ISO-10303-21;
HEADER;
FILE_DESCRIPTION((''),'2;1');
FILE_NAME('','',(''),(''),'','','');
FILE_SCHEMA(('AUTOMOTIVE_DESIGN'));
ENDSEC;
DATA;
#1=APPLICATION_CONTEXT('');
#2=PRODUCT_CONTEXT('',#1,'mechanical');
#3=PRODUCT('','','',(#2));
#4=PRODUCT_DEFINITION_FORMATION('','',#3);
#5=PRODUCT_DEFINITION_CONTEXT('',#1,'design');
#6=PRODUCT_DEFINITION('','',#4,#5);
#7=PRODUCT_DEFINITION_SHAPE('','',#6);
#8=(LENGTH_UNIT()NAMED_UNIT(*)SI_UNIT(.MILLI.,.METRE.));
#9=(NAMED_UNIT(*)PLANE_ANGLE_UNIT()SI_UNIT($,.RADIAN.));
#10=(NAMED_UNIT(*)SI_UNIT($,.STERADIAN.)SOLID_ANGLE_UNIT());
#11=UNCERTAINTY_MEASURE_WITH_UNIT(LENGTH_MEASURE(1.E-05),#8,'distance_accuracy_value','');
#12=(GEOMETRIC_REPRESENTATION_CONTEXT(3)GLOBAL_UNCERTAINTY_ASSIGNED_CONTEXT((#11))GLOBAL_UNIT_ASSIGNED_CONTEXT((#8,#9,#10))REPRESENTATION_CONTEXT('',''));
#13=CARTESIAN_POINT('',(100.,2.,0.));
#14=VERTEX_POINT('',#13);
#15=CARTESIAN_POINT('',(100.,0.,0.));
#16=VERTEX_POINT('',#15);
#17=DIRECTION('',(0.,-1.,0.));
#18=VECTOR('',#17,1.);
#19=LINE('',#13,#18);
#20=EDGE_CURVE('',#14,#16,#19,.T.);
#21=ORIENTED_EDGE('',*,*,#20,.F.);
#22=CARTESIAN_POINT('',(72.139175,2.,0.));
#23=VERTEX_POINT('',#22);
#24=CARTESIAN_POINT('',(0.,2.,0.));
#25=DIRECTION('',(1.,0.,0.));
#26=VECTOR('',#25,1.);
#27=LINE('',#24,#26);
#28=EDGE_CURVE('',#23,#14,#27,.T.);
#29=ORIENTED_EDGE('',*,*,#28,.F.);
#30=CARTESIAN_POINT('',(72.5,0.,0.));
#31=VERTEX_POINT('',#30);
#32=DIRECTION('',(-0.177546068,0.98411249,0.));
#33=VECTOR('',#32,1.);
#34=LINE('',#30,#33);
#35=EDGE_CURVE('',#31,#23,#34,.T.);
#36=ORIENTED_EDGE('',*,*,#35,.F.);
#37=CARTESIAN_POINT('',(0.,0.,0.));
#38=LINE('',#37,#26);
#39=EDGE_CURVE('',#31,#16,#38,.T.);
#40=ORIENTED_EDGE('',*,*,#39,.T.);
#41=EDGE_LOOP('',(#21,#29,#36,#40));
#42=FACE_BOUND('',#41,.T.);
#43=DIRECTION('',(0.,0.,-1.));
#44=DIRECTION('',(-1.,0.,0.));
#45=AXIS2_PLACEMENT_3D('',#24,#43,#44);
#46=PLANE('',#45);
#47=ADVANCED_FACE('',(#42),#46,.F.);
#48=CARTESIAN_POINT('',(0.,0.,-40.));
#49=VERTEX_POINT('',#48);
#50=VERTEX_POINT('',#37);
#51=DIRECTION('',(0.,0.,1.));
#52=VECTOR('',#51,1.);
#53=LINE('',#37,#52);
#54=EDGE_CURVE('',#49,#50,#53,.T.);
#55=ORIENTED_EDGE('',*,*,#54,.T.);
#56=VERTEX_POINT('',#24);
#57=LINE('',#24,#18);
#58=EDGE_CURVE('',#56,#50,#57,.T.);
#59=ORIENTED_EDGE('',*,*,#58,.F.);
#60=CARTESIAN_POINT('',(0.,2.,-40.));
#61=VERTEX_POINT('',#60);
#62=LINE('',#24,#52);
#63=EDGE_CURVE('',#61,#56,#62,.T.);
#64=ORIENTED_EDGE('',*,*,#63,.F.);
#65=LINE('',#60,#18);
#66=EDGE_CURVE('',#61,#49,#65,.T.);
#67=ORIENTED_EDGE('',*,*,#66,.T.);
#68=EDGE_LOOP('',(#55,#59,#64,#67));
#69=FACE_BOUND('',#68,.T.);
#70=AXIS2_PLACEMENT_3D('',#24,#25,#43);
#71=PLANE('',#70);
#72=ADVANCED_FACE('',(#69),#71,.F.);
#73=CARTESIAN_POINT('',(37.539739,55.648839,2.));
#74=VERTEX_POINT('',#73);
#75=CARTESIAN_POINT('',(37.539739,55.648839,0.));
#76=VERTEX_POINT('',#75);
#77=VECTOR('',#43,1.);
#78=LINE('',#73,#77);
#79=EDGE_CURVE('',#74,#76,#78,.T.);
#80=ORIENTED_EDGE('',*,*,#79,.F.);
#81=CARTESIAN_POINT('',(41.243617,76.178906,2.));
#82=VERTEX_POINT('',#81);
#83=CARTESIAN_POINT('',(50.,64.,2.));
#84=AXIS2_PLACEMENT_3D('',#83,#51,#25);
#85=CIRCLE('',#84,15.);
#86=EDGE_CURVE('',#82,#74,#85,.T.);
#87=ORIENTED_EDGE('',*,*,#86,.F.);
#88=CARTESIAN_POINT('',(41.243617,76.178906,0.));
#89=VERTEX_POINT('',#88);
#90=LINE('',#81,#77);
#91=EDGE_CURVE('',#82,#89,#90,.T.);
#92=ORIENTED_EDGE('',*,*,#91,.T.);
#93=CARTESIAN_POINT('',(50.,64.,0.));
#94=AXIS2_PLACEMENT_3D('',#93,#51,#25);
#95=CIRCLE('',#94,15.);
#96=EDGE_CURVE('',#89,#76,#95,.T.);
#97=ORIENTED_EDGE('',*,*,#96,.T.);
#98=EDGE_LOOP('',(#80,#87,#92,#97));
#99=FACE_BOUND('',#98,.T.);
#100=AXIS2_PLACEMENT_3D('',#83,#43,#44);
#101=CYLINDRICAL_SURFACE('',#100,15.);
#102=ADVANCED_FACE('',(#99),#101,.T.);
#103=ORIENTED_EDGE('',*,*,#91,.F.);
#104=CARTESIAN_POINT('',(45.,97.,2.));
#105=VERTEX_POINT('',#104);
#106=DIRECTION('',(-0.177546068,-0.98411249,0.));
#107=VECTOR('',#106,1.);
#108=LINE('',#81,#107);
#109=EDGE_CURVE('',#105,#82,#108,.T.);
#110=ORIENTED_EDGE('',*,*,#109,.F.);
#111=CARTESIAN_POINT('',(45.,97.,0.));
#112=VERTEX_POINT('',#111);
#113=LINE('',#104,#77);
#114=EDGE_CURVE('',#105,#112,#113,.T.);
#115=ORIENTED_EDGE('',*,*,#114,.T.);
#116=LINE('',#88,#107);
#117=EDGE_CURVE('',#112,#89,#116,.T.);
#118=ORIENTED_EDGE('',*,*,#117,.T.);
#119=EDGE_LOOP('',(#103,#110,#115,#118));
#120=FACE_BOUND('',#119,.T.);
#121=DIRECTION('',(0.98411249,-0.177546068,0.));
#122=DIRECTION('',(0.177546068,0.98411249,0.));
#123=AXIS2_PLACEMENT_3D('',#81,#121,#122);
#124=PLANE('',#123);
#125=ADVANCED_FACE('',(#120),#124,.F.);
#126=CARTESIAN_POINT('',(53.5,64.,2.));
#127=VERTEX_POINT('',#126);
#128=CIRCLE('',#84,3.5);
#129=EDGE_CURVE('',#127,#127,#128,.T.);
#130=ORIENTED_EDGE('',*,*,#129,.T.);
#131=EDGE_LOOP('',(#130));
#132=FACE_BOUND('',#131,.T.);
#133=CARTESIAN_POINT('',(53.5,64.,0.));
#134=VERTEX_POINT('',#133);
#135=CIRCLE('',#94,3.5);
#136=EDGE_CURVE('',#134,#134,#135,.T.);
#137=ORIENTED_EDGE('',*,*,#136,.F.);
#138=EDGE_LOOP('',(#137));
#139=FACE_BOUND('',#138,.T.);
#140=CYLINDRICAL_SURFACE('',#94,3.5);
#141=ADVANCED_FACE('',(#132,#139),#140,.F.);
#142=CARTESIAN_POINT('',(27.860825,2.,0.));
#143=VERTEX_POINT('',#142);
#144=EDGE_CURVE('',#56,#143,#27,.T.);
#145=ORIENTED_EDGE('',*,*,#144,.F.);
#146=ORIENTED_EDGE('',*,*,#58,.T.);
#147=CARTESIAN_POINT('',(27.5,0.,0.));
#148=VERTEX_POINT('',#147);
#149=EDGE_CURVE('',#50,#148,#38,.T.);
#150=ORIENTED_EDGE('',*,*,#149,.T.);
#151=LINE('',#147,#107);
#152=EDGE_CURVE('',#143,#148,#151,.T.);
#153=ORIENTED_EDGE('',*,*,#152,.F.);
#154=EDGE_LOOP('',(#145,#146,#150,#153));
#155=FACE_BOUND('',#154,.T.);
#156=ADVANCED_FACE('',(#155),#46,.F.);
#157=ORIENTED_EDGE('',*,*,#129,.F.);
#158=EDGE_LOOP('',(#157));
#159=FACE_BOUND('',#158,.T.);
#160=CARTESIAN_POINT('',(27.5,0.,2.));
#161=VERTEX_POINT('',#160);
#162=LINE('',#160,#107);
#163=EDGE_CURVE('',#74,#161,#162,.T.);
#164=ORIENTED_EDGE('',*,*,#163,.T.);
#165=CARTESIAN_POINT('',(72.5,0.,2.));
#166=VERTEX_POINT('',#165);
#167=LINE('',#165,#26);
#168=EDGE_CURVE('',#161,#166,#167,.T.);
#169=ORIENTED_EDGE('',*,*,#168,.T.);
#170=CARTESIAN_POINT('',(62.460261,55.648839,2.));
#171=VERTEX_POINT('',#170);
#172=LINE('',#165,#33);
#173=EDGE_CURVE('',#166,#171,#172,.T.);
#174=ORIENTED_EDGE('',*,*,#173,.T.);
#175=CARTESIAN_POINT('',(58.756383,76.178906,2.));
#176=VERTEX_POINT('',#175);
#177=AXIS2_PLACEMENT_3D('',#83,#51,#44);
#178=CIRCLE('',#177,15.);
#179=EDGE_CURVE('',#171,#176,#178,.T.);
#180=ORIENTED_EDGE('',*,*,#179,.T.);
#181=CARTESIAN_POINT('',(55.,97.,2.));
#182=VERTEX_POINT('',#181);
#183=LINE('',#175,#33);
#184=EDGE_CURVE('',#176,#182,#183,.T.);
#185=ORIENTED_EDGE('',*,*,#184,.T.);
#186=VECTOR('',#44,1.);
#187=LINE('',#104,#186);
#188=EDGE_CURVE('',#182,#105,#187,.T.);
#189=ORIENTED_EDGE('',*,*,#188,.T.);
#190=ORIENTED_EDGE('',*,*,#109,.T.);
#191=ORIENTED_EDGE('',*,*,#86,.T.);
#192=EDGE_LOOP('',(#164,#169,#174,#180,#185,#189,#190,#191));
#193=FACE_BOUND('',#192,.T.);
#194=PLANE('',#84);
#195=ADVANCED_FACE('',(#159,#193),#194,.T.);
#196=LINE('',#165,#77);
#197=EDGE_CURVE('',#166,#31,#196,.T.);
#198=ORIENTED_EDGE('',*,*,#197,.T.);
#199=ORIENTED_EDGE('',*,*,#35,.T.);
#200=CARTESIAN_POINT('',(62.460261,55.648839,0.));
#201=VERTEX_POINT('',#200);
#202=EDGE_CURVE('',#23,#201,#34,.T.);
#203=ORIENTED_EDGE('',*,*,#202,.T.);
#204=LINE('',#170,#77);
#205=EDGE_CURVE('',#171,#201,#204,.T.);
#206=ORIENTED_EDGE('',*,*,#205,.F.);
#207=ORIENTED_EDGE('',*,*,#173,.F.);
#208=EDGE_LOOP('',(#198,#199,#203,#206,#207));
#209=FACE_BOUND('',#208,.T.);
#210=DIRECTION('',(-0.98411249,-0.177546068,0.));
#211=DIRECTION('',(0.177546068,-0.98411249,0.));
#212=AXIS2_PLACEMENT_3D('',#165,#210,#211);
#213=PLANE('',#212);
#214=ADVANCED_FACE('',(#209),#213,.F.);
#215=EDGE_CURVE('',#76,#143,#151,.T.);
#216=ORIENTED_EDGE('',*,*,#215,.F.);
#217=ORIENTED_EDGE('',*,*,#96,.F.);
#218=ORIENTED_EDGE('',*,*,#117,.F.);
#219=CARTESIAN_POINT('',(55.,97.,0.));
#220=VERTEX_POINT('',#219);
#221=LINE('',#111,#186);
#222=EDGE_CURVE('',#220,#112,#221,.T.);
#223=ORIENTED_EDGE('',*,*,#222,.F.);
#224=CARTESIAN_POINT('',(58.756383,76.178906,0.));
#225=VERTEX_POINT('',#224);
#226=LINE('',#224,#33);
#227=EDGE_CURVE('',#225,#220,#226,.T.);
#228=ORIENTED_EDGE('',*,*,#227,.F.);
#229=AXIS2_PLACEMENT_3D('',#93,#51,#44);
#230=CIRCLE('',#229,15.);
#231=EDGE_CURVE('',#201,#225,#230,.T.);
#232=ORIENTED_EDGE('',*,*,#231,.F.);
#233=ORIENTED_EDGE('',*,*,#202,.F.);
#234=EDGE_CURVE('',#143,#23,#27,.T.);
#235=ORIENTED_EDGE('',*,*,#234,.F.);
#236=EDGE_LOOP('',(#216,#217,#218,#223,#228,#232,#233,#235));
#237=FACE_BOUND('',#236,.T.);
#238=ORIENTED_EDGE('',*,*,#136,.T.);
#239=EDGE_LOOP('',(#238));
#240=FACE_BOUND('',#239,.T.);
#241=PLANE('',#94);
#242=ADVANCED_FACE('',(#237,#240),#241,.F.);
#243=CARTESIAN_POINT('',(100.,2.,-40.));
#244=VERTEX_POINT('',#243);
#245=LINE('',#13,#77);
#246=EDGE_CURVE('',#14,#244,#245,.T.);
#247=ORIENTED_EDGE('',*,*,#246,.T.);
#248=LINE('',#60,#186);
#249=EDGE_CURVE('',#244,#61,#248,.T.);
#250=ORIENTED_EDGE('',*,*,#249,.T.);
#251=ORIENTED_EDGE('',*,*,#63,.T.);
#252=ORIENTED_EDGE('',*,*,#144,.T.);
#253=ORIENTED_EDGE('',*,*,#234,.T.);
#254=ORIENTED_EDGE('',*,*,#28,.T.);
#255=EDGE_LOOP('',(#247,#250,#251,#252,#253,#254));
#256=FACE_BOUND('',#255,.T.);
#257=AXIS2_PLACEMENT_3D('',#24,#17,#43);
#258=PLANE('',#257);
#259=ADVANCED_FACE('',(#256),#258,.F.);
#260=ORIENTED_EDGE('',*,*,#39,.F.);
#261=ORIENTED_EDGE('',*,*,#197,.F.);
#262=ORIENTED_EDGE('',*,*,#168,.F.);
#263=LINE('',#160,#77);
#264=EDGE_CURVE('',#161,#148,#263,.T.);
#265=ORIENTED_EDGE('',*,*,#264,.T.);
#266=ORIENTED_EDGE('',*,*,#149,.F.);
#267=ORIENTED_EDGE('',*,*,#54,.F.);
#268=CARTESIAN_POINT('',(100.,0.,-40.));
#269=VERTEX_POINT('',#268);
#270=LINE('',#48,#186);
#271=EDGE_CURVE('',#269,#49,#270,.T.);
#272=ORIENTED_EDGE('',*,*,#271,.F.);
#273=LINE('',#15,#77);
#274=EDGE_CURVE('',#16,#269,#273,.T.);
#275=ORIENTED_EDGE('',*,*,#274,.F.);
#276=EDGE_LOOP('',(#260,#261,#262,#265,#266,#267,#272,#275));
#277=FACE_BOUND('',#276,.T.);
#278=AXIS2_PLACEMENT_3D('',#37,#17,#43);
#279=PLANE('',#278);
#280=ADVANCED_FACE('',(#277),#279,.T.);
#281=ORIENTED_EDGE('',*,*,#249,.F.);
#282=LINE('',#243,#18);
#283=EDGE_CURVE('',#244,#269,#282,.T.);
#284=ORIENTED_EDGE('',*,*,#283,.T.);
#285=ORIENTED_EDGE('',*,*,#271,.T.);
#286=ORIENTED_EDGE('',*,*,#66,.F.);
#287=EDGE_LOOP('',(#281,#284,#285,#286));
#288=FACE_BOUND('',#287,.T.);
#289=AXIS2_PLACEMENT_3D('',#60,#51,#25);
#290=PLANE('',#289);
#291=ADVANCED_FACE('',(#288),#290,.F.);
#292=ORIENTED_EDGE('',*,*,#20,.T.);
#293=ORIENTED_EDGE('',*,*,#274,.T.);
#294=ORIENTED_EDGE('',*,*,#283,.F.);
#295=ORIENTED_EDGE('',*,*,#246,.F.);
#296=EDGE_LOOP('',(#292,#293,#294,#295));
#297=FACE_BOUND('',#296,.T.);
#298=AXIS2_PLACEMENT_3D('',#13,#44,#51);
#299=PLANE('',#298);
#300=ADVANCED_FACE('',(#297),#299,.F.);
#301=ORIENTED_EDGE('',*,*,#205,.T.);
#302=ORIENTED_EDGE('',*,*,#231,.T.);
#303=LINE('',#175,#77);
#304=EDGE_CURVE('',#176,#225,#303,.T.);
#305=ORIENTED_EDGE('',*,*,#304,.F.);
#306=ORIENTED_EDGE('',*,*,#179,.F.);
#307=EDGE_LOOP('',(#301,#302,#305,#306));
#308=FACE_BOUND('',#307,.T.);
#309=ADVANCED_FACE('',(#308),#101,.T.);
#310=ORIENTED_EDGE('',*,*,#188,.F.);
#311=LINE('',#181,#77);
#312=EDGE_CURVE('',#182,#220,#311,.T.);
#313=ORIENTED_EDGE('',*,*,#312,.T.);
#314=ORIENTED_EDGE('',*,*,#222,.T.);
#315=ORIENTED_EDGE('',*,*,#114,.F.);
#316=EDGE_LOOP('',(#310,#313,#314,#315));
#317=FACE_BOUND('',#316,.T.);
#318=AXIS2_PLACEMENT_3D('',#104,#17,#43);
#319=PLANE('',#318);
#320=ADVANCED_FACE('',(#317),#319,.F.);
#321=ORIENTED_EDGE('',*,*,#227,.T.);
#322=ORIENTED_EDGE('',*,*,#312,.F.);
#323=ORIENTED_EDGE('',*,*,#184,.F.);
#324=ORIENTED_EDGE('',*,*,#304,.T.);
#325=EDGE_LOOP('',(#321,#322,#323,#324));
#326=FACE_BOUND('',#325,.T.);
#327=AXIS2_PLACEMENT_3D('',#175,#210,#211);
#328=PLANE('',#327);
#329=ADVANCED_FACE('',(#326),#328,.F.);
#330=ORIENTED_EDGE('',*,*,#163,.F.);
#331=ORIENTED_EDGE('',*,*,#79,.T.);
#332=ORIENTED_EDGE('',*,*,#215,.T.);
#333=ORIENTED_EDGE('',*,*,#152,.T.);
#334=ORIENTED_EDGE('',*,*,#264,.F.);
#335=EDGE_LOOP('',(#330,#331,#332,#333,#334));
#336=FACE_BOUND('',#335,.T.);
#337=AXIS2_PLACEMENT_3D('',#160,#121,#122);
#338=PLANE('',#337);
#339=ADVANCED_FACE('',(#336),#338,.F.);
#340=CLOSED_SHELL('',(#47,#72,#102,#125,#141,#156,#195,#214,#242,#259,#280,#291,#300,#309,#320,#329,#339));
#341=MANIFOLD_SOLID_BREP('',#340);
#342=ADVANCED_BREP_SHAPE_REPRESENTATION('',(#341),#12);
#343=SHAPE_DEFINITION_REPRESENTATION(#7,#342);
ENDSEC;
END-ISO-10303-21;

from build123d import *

# Parameters (mm, degrees)
SKETCH_1_W          = 100
SKETCH_1_H          = 40
EXTRUDE_1_DEPTH     = 2
EXTRUDE_2_DEPTH     = 2
SKETCH_4_R          = 3.5
CUT_EXTRUDE_1_DEPTH = 2


with BuildPart() as part:
    # 草图1 → 凸台-拉伸1 (new body)
    with BuildSketch(Plane(origin=(0, 0, 0), x_dir=(1, 0, 0), z_dir=(0, 1, 0))):
        with Locations((50, 20)):
            Rectangle(SKETCH_1_W, SKETCH_1_H)
    extrude(amount=EXTRUDE_1_DEPTH)

    # 草图3 → 凸台-拉伸2 (add)
    with BuildSketch(Plane.XY):
        with BuildLine():
            Line((72.5, 0), (27.5, 0))
            Line((27.5, 0), (37.539738947, 55.648838734))
            ThreePointArc((37.539738947, 55.648838734), (35.238312644, 66.663191018), (41.243617117, 76.178906306))
            Line((41.243617117, 76.178906306), (45, 97))
            Line((45, 97), (55, 97))
            Line((55, 97), (58.756382883, 76.178906306))
            ThreePointArc((58.756382883, 76.178906306), (64.761687356, 66.663191018), (62.460261053, 55.648838734))
            Line((62.460261053, 55.648838734), (72.5, 0))
        make_face()
    extrude(amount=EXTRUDE_2_DEPTH)

    # 草图4 → 切除-拉伸1 (cut)
    with BuildSketch(Plane.XY.offset(2)):
        with Locations((50, 64)):
            Circle(SKETCH_4_R)
    extrude(amount=-CUT_EXTRUDE_1_DEPTH, mode=Mode.SUBTRACT)


solid = part.part
